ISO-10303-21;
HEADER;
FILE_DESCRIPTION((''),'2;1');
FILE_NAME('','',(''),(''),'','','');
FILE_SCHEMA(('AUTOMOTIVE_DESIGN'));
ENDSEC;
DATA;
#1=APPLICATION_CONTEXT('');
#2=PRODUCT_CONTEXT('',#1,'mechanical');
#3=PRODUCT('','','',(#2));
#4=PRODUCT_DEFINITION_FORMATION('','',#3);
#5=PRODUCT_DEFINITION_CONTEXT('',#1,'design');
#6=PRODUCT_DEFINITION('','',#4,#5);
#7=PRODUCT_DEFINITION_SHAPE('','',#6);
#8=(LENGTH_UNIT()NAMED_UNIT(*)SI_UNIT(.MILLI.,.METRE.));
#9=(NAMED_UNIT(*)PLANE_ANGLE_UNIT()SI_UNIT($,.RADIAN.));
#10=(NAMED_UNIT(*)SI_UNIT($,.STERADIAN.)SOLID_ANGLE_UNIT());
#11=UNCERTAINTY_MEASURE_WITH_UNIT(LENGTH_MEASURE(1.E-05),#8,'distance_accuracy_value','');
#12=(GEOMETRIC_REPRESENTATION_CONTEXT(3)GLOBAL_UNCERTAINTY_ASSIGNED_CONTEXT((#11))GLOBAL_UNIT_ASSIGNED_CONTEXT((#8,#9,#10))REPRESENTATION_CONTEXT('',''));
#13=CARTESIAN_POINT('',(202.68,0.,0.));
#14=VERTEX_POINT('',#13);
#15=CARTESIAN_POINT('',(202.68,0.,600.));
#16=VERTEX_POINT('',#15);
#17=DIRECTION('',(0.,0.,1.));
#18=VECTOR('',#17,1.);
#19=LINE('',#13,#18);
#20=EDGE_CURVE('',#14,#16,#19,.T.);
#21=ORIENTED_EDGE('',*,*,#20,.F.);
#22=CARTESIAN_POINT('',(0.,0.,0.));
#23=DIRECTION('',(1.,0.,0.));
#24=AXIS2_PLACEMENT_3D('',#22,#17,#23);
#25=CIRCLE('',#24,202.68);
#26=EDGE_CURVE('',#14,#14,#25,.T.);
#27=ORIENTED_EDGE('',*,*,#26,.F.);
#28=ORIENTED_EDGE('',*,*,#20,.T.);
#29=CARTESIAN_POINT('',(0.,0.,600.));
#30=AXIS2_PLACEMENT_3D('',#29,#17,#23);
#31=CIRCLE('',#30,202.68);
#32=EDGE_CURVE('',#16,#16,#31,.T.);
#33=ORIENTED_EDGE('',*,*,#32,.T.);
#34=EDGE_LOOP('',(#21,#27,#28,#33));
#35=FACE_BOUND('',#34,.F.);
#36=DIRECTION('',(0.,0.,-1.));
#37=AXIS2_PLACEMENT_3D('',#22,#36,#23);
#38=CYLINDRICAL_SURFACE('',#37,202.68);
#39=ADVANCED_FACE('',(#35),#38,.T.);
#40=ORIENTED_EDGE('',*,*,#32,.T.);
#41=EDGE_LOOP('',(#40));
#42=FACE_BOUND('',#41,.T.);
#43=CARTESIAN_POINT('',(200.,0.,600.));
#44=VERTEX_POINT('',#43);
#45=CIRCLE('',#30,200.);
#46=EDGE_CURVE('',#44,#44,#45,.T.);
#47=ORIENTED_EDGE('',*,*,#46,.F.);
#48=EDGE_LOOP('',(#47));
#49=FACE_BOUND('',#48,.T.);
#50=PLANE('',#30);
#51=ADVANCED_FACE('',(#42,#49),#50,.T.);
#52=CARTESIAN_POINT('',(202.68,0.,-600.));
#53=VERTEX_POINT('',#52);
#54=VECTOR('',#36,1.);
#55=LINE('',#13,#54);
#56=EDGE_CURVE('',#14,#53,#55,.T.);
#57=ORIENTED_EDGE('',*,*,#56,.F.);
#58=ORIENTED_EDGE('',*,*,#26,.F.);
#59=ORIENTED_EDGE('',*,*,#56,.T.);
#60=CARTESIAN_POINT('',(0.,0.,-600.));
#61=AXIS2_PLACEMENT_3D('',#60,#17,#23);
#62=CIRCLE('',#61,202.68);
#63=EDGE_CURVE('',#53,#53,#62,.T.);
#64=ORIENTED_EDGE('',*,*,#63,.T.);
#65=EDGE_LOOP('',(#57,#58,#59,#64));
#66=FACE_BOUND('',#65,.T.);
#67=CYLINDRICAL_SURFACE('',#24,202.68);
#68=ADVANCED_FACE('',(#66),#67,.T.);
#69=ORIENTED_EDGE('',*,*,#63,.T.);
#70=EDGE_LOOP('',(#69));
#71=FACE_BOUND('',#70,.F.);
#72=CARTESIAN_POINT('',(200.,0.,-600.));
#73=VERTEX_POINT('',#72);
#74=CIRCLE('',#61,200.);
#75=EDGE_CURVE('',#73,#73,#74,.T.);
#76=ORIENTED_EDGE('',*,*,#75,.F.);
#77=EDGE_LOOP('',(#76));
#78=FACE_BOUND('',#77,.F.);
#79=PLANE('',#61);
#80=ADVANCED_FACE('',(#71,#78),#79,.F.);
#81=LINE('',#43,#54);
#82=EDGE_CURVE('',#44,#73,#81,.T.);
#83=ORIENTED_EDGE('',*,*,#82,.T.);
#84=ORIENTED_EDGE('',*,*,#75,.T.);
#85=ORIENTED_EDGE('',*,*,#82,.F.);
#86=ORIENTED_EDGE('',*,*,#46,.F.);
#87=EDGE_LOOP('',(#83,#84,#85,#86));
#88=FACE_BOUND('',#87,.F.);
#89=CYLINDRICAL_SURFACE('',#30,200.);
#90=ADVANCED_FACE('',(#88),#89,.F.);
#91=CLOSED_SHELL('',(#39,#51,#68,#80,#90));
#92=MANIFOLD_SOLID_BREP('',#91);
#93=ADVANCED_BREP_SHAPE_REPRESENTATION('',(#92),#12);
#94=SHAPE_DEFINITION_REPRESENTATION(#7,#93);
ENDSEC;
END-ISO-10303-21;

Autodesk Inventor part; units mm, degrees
ref_plane "YZ Plane" through (0, 0, 0) normal (1, 0, 0) x (0, 1, 0)
ref_plane "XZ Plane" through (0, 0, 0) normal (0, 1, 0) x (-1, 0, 0)
ref_plane "XY Plane" through (0, 0, 0) normal (0, 0, 1) x (1, 0, 0)
sketch "Sketch1" plane through (0, 0, 0) normal (0, 0, 1) x (1, 0, 0)
  circle A0 centre (0, 0) radius 202.68
  dimension "d0" = 405.36
extrude "Extrusion1" add sketch "Sketch1" along normal mid plane 1200
sketch "Sketch2" plane through (0, 0, 600) normal (0, 0, 1) x (1, 0, 0)
  circle A0 centre (0, 0) radius 200
  dimension "d3" = 400
extrude "Extrusion2" cut sketch "Sketch2" against normal through all
properties part number "ALPHA-II-AT"
